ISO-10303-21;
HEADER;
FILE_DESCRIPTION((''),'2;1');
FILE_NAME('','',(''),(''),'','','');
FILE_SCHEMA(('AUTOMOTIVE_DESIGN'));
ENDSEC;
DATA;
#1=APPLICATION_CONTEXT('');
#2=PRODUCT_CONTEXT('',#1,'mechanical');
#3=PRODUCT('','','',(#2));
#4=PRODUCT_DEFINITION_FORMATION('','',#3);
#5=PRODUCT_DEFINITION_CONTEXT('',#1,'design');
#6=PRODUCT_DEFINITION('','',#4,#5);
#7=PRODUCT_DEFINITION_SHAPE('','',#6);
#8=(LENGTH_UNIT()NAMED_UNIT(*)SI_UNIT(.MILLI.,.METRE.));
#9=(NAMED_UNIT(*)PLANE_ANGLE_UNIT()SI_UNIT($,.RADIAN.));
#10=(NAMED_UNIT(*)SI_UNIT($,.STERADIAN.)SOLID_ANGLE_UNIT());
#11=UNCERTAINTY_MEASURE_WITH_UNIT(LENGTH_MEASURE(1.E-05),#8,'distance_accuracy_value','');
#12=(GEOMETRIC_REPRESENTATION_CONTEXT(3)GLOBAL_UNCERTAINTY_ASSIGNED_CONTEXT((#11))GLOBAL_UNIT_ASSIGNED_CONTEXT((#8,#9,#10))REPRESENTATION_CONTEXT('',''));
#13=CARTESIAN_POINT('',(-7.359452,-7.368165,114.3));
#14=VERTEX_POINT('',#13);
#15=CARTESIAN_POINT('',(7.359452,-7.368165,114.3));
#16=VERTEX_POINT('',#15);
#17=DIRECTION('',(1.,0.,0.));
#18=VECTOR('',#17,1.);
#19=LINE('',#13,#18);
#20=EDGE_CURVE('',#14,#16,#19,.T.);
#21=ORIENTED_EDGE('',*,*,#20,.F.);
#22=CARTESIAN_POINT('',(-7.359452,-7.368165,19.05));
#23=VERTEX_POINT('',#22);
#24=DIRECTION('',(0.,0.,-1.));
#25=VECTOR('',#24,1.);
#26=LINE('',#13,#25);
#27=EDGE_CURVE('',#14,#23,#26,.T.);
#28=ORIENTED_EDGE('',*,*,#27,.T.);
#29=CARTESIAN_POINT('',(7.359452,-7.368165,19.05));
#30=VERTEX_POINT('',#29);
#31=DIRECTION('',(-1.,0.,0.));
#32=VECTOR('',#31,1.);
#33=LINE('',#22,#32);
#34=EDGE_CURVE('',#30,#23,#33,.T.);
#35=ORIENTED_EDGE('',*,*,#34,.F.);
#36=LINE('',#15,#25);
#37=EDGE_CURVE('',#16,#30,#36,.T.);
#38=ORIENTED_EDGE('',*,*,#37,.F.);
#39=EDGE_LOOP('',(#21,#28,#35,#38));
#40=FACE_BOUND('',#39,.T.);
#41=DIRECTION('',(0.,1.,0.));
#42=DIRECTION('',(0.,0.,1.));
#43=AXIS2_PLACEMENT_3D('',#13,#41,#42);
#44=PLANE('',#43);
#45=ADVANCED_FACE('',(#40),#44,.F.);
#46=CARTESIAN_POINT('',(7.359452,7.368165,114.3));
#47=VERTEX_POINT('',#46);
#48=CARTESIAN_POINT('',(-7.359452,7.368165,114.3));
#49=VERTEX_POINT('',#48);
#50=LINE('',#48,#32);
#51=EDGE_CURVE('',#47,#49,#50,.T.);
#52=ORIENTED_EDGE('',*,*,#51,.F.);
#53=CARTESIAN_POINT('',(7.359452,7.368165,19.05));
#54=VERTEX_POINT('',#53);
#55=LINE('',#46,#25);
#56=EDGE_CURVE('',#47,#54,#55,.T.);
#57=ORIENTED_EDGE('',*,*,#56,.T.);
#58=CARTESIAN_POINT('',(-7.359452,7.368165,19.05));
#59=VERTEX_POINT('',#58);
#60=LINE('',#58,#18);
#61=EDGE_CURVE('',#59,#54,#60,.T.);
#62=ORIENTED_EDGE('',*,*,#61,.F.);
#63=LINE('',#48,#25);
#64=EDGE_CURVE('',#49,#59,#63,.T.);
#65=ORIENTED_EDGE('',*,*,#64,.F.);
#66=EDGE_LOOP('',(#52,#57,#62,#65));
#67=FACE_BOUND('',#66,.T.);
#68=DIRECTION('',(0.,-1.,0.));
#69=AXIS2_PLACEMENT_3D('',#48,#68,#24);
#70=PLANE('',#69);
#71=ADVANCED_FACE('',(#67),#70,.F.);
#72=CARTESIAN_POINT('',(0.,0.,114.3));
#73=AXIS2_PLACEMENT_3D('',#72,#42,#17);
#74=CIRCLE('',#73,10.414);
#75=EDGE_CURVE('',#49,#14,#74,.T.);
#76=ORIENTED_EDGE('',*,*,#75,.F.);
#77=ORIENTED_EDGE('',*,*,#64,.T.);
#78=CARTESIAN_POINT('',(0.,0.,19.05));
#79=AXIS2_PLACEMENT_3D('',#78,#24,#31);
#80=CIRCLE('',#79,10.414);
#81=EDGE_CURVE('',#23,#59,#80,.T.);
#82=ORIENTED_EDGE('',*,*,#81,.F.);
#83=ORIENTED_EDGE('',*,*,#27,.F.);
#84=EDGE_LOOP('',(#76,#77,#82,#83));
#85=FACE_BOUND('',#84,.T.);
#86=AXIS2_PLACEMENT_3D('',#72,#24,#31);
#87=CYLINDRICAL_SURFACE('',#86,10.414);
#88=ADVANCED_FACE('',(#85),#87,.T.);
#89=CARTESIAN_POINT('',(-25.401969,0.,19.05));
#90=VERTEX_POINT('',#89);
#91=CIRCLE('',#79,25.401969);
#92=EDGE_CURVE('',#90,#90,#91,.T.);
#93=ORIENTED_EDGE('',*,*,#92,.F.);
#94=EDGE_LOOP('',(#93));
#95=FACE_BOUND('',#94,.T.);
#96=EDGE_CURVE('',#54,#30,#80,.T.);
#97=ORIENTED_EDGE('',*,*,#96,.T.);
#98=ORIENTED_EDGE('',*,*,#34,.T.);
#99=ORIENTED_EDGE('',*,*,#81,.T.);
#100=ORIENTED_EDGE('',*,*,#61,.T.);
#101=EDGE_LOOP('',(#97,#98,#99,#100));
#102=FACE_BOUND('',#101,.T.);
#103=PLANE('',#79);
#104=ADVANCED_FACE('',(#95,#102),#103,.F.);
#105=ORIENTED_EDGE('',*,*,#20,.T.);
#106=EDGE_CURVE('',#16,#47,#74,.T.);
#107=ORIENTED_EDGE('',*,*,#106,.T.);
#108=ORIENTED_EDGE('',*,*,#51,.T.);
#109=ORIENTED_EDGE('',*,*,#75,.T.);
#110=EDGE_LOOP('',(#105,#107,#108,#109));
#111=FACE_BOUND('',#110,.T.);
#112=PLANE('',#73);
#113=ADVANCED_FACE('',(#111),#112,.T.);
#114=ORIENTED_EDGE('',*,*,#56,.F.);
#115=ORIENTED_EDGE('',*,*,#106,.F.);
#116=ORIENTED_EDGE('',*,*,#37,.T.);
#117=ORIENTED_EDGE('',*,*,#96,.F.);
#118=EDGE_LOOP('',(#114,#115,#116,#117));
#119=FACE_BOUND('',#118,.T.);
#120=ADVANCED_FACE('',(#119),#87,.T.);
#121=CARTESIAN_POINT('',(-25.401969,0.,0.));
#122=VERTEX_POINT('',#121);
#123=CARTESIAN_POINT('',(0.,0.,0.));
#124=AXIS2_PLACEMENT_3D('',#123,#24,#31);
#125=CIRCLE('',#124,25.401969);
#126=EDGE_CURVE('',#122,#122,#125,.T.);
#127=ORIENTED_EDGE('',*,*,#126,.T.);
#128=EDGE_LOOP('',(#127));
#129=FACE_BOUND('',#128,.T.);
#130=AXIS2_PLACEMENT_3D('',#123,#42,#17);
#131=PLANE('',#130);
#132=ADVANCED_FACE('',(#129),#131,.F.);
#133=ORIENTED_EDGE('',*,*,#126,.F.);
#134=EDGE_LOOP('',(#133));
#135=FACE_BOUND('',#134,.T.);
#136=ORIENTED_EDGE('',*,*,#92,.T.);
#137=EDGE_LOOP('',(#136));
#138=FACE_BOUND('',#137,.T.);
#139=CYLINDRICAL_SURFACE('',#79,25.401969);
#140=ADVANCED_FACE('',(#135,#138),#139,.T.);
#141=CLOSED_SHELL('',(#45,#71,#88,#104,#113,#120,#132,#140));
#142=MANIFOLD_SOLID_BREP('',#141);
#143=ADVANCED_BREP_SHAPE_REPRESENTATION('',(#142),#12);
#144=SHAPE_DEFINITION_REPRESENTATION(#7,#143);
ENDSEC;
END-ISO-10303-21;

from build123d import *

# Parameters (mm, degrees)
BOSS_EXTRUDE1_DEPTH = 114.3
SKETCH3_R           = 25.401969389
BOSS_EXTRUDE2_DEPTH = 19.05


with BuildPart() as part:
    # Sketch1 → Boss-Extrude1 (new body)
    with BuildSketch(Plane.XY):
        with BuildLine():
            Line((-7.359452383, -7.368165079), (7.359452383, -7.368165079))
            ThreePointArc((7.359452383, -7.368165079), (10.414, 0), (7.359452383, 7.368165079))
            Line((7.359452383, 7.368165079), (-7.359452383, 7.368165079))
            ThreePointArc((-7.359452383, 7.368165079), (-10.414, 0), (-7.359452383, -7.368165079))
        make_face()
    extrude(amount=BOSS_EXTRUDE1_DEPTH)

    # Sketch3 → Boss-Extrude2 (add)
    with BuildSketch(Plane(origin=(0, 0, 0), x_dir=(-1, 0, 0), z_dir=(0, 0, -1))):
        Circle(SKETCH3_R)
    extrude(amount=-BOSS_EXTRUDE2_DEPTH)


solid = part.part
